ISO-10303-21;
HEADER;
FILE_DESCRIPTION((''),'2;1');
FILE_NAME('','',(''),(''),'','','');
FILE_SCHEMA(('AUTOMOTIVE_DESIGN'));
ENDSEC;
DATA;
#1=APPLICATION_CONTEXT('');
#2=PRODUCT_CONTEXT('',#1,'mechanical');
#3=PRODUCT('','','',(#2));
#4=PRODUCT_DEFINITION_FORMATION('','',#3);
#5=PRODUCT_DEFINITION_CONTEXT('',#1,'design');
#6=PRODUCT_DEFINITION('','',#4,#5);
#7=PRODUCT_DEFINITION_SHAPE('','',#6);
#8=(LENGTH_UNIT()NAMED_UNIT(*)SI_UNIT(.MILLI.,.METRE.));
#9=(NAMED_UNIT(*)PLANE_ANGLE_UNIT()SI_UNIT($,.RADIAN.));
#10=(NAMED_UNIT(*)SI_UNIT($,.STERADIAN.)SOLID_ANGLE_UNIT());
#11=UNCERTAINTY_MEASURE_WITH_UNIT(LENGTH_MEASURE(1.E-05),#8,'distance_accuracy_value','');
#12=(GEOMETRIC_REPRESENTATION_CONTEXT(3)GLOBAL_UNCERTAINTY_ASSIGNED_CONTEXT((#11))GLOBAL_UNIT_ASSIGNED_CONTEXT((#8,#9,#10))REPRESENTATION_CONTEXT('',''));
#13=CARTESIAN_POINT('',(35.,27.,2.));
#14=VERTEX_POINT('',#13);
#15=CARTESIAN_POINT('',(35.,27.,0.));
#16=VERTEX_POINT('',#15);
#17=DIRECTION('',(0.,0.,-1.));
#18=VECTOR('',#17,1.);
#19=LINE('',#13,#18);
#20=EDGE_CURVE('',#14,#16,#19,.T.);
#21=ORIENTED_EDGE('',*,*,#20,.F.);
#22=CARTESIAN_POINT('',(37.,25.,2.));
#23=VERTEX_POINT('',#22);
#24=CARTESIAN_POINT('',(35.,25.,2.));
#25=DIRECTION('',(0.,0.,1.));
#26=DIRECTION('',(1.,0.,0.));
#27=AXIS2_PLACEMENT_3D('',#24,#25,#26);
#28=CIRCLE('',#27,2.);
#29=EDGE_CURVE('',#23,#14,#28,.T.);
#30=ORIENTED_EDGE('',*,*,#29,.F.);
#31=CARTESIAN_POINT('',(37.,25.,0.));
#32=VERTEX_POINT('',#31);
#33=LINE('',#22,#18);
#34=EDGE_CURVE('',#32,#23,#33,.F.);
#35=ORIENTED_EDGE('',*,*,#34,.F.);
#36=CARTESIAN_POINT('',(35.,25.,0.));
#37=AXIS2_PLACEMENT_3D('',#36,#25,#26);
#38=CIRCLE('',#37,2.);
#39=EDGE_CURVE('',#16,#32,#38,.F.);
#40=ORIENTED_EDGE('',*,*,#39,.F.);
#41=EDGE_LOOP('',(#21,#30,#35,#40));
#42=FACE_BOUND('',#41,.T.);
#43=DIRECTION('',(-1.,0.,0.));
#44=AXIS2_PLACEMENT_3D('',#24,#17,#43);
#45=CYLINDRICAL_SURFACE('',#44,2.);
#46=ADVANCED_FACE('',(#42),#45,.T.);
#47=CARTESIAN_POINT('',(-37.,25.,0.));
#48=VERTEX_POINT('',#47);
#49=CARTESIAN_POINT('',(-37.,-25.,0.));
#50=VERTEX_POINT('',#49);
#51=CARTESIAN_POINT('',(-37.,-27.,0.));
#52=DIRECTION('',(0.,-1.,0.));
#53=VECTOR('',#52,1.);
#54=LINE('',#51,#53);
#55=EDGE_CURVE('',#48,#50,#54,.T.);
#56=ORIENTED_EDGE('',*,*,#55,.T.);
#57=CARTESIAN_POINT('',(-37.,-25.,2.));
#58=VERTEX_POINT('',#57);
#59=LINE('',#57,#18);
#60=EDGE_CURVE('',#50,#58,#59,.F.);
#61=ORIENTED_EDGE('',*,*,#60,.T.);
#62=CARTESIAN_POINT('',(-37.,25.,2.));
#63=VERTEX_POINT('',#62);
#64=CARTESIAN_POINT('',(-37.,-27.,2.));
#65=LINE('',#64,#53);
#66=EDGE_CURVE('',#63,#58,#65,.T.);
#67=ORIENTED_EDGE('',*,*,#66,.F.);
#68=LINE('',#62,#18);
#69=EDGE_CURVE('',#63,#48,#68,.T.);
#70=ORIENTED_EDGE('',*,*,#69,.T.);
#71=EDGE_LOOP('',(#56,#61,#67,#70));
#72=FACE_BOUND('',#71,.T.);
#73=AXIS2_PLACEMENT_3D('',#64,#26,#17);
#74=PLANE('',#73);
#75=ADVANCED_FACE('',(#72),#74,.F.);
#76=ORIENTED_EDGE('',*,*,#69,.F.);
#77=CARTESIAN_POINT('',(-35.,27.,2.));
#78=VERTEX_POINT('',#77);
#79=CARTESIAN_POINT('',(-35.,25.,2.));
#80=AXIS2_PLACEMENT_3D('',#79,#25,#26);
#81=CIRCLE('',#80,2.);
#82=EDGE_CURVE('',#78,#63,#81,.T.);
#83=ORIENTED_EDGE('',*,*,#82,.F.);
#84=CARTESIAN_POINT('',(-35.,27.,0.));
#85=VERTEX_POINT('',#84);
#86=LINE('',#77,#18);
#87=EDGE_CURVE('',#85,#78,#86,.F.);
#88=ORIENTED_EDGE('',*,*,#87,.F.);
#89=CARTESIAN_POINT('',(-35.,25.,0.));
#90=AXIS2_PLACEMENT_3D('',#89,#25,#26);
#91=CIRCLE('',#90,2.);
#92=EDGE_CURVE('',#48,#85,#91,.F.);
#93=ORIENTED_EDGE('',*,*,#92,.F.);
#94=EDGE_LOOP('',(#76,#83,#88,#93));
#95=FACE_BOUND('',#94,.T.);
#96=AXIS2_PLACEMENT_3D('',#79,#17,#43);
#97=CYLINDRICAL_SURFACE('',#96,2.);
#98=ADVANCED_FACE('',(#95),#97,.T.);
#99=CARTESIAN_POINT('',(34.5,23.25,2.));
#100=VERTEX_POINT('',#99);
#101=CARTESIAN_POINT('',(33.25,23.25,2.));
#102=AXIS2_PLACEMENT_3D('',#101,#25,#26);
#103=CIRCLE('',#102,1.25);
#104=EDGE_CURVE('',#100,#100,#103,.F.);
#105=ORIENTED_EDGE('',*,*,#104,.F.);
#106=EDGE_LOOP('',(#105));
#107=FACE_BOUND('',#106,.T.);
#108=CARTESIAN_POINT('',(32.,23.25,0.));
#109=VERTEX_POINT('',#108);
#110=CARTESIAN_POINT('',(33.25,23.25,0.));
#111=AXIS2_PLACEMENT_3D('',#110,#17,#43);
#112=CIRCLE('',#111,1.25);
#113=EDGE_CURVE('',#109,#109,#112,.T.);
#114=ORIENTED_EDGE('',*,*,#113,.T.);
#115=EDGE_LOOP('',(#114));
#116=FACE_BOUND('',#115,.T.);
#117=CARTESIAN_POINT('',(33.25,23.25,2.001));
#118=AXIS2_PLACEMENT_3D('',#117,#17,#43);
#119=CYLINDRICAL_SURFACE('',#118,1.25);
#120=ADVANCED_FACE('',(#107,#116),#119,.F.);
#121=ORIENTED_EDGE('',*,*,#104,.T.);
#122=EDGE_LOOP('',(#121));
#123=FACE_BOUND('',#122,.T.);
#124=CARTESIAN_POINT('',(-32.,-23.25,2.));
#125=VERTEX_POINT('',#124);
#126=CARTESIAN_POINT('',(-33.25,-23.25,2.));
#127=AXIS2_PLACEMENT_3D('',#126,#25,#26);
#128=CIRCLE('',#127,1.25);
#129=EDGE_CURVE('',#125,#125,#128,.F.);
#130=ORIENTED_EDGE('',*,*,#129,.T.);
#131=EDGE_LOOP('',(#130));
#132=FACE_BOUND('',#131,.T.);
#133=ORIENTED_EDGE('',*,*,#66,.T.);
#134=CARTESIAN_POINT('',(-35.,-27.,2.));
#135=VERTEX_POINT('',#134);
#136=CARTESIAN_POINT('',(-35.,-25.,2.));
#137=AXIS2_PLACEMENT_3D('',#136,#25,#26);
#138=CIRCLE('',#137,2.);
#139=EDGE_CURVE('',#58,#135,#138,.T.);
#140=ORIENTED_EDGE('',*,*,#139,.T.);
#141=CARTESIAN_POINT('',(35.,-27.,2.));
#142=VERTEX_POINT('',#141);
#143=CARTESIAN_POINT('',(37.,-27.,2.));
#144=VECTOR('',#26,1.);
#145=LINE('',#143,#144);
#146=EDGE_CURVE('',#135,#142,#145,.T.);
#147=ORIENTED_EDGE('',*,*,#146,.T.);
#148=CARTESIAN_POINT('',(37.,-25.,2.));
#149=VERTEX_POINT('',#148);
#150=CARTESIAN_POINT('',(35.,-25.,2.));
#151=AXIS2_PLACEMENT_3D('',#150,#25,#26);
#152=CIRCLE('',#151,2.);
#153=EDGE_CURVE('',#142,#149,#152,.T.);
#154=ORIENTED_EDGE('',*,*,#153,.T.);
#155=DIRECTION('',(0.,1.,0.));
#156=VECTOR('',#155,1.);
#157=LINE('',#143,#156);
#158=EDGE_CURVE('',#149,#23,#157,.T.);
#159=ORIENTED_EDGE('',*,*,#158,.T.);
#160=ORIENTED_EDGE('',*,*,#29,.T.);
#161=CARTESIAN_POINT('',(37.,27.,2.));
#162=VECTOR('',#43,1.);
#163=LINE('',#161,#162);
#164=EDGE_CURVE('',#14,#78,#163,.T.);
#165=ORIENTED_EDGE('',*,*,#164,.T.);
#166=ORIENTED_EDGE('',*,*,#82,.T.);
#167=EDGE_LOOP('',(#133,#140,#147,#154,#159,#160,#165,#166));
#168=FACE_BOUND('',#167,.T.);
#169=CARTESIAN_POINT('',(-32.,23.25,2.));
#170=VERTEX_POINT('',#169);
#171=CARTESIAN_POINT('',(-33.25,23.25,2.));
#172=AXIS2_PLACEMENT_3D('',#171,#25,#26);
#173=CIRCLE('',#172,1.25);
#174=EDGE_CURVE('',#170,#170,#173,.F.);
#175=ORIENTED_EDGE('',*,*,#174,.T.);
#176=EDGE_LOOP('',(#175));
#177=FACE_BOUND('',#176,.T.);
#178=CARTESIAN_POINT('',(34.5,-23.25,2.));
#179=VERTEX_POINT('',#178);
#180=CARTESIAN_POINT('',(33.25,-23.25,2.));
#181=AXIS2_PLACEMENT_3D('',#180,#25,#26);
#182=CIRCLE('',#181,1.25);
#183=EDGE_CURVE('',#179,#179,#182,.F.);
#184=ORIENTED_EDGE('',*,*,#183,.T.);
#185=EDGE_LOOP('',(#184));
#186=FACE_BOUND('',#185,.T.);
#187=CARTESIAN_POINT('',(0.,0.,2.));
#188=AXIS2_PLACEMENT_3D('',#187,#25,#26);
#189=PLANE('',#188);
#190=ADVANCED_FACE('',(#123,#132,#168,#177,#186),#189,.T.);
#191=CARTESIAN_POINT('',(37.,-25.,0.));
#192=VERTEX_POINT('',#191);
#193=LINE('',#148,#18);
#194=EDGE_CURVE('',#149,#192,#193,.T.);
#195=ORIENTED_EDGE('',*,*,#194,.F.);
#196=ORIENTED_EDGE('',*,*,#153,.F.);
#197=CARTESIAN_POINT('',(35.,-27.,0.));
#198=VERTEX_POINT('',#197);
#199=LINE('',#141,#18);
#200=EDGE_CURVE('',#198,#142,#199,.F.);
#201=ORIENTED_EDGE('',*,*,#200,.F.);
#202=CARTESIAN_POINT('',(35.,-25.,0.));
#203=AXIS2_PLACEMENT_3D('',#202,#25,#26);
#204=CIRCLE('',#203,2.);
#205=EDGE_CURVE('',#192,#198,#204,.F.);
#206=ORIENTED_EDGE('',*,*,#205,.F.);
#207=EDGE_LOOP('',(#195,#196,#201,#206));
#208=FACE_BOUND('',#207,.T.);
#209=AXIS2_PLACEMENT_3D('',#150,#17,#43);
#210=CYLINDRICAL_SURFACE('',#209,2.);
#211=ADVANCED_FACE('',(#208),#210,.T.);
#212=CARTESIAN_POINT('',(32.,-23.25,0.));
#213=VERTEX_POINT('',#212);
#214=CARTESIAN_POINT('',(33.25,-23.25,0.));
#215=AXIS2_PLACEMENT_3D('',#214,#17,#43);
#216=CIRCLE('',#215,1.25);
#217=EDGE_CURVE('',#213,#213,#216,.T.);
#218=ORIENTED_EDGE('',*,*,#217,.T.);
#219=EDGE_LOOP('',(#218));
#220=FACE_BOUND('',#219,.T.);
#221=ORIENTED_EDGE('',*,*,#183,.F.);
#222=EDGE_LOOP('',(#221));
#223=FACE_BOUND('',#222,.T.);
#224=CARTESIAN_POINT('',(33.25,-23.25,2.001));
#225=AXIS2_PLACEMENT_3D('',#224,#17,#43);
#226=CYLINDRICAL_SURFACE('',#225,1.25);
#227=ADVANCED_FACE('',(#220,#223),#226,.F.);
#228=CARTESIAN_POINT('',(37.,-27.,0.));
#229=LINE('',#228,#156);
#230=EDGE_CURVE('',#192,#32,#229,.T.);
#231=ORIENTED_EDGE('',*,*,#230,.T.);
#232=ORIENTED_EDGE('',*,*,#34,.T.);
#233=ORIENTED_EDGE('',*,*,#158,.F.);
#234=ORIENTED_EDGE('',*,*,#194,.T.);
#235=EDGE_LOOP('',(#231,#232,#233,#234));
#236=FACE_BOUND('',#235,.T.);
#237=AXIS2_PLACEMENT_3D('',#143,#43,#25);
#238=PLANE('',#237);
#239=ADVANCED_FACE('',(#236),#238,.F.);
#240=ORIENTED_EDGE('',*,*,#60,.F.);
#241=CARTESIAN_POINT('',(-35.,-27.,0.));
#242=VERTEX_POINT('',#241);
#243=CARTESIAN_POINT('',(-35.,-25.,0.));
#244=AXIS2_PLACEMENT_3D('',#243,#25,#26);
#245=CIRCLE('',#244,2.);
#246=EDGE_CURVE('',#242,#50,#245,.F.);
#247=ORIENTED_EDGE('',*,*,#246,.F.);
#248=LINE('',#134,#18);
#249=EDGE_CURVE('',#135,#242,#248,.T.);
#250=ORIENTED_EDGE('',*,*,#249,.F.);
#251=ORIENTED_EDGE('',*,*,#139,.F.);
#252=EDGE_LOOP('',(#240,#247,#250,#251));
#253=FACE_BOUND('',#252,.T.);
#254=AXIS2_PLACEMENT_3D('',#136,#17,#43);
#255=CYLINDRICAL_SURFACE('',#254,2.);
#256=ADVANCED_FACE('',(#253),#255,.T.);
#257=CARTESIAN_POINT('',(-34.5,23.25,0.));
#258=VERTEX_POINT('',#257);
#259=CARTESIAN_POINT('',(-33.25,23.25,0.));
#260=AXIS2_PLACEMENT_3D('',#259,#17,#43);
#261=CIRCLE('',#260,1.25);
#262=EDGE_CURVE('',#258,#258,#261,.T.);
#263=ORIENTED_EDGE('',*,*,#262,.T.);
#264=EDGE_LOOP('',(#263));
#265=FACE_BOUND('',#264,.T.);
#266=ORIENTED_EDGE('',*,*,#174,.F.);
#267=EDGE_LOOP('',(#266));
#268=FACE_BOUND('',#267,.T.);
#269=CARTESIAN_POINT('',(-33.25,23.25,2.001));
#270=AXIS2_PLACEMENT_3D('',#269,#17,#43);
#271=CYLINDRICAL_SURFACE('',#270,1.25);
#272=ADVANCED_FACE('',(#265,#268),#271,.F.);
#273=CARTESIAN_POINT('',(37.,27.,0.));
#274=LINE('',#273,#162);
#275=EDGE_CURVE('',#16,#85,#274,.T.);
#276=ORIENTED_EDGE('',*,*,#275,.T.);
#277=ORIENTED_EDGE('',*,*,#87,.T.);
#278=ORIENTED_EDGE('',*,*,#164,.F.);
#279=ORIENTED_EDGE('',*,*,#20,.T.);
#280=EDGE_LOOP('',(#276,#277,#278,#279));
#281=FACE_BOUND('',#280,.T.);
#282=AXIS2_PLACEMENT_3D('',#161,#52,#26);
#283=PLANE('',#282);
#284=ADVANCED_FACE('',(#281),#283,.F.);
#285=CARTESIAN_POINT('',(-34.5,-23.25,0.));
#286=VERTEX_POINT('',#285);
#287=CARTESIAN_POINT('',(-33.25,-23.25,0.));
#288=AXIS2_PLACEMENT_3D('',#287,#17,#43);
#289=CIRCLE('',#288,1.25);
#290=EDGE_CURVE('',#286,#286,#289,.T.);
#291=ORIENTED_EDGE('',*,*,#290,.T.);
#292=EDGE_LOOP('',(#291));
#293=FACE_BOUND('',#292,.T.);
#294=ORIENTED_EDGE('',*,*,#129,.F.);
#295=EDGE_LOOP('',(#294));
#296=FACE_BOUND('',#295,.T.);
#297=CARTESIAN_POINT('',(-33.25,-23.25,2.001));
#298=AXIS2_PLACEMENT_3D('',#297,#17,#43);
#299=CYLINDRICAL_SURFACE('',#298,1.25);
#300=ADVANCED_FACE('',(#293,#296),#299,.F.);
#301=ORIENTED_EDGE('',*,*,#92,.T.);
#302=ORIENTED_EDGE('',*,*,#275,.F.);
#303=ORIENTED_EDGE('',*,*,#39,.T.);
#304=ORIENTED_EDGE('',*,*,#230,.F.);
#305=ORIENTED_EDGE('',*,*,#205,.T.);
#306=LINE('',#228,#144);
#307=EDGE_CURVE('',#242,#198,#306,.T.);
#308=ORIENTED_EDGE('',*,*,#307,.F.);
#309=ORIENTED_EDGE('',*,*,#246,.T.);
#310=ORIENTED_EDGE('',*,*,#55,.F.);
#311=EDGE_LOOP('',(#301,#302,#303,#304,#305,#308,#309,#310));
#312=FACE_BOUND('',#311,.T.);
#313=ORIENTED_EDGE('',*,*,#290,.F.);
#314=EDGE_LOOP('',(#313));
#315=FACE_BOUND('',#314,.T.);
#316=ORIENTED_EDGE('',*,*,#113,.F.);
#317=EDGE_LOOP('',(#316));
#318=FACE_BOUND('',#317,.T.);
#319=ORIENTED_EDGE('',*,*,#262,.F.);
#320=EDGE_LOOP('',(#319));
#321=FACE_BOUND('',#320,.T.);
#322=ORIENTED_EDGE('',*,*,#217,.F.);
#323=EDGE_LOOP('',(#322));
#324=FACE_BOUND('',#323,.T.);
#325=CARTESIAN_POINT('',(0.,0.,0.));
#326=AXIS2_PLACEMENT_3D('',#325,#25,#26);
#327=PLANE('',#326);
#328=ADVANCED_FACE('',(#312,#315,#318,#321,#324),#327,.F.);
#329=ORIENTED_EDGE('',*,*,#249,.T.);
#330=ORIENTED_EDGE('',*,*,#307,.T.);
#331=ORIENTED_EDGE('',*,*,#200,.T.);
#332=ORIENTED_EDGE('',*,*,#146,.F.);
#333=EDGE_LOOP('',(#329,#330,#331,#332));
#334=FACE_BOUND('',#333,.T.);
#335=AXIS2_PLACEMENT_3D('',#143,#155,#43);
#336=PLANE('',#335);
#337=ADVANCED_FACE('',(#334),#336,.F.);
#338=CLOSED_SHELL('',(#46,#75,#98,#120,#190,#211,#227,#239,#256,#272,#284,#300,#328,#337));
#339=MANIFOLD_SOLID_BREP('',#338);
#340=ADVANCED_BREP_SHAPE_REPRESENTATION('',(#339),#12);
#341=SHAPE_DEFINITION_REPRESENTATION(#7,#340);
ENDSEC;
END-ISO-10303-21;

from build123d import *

# Parameters (mm, degrees)
SKETCH3_W           = 74
SKETCH3_H           = 54
BOSS_EXTRUDE1_DEPTH = 2
CUT_EXTRUDE2_REACH  = 47.848
SKETCH4_R           = 1.25
FILLET1_R           = 2


with BuildPart() as part:
    # Sketch3 → Boss-Extrude1 (new body)
    with BuildSketch(Plane.XY):
        Rectangle(SKETCH3_W, SKETCH3_H)
    extrude(amount=BOSS_EXTRUDE1_DEPTH)

    # Sketch4 → Cut-Extrude2 (cut, up to next)
    with BuildSketch(Plane(origin=(0, 0, 0), x_dir=(-1, 0, 0), z_dir=(0, 0, -1)), mode=Mode.PRIVATE) as cut_extrude2_sk1:
        with Locations((-33.25, 23.25)):
            Circle(SKETCH4_R)
    cut_extrude2_tool1 = extrude(cut_extrude2_sk1.sketch, amount=-CUT_EXTRUDE2_REACH, mode=Mode.PRIVATE) & part.part
    # Sketch4 → Cut-Extrude2 (cut, up to next)
    with BuildSketch(Plane(origin=(0, 0, 0), x_dir=(-1, 0, 0), z_dir=(0, 0, -1)), mode=Mode.PRIVATE) as cut_extrude2_sk2:
        with Locations((33.25, 23.25)):
            Circle(SKETCH4_R)
    cut_extrude2_tool2 = extrude(cut_extrude2_sk2.sketch, amount=-CUT_EXTRUDE2_REACH, mode=Mode.PRIVATE) & part.part
    # Sketch4 → Cut-Extrude2 (cut, up to next)
    with BuildSketch(Plane(origin=(0, 0, 0), x_dir=(-1, 0, 0), z_dir=(0, 0, -1)), mode=Mode.PRIVATE) as cut_extrude2_sk3:
        with Locations((33.25, -23.25)):
            Circle(SKETCH4_R)
    cut_extrude2_tool3 = extrude(cut_extrude2_sk3.sketch, amount=-CUT_EXTRUDE2_REACH, mode=Mode.PRIVATE) & part.part
    # Sketch4 → Cut-Extrude2 (cut, up to next)
    with BuildSketch(Plane(origin=(0, 0, 0), x_dir=(-1, 0, 0), z_dir=(0, 0, -1)), mode=Mode.PRIVATE) as cut_extrude2_sk4:
        with Locations((-33.25, -23.25)):
            Circle(SKETCH4_R)
    cut_extrude2_tool4 = extrude(cut_extrude2_sk4.sketch, amount=-CUT_EXTRUDE2_REACH, mode=Mode.PRIVATE) & part.part
    add(cut_extrude2_tool1.solids().sort_by_distance((33.25, 23.25, 0))[0], mode=Mode.SUBTRACT)
    add(cut_extrude2_tool2.solids().sort_by_distance((-33.25, 23.25, 0))[0], mode=Mode.SUBTRACT)
    add(cut_extrude2_tool3.solids().sort_by_distance((-33.25, -23.25, 0))[0], mode=Mode.SUBTRACT)
    add(cut_extrude2_tool4.solids().sort_by_distance((33.25, -23.25, 0))[0], mode=Mode.SUBTRACT)

    # Fillet1
    fillet1_edges = [part.edges().sort_by_distance(p)[0] for p in [
        (-37, 27, 1),
        (37, 27, 1),
        (37, -27, 1),
        (-37, -27, 1),
    ]]
    fillet(fillet1_edges, radius=FILLET1_R)


solid = part.part
